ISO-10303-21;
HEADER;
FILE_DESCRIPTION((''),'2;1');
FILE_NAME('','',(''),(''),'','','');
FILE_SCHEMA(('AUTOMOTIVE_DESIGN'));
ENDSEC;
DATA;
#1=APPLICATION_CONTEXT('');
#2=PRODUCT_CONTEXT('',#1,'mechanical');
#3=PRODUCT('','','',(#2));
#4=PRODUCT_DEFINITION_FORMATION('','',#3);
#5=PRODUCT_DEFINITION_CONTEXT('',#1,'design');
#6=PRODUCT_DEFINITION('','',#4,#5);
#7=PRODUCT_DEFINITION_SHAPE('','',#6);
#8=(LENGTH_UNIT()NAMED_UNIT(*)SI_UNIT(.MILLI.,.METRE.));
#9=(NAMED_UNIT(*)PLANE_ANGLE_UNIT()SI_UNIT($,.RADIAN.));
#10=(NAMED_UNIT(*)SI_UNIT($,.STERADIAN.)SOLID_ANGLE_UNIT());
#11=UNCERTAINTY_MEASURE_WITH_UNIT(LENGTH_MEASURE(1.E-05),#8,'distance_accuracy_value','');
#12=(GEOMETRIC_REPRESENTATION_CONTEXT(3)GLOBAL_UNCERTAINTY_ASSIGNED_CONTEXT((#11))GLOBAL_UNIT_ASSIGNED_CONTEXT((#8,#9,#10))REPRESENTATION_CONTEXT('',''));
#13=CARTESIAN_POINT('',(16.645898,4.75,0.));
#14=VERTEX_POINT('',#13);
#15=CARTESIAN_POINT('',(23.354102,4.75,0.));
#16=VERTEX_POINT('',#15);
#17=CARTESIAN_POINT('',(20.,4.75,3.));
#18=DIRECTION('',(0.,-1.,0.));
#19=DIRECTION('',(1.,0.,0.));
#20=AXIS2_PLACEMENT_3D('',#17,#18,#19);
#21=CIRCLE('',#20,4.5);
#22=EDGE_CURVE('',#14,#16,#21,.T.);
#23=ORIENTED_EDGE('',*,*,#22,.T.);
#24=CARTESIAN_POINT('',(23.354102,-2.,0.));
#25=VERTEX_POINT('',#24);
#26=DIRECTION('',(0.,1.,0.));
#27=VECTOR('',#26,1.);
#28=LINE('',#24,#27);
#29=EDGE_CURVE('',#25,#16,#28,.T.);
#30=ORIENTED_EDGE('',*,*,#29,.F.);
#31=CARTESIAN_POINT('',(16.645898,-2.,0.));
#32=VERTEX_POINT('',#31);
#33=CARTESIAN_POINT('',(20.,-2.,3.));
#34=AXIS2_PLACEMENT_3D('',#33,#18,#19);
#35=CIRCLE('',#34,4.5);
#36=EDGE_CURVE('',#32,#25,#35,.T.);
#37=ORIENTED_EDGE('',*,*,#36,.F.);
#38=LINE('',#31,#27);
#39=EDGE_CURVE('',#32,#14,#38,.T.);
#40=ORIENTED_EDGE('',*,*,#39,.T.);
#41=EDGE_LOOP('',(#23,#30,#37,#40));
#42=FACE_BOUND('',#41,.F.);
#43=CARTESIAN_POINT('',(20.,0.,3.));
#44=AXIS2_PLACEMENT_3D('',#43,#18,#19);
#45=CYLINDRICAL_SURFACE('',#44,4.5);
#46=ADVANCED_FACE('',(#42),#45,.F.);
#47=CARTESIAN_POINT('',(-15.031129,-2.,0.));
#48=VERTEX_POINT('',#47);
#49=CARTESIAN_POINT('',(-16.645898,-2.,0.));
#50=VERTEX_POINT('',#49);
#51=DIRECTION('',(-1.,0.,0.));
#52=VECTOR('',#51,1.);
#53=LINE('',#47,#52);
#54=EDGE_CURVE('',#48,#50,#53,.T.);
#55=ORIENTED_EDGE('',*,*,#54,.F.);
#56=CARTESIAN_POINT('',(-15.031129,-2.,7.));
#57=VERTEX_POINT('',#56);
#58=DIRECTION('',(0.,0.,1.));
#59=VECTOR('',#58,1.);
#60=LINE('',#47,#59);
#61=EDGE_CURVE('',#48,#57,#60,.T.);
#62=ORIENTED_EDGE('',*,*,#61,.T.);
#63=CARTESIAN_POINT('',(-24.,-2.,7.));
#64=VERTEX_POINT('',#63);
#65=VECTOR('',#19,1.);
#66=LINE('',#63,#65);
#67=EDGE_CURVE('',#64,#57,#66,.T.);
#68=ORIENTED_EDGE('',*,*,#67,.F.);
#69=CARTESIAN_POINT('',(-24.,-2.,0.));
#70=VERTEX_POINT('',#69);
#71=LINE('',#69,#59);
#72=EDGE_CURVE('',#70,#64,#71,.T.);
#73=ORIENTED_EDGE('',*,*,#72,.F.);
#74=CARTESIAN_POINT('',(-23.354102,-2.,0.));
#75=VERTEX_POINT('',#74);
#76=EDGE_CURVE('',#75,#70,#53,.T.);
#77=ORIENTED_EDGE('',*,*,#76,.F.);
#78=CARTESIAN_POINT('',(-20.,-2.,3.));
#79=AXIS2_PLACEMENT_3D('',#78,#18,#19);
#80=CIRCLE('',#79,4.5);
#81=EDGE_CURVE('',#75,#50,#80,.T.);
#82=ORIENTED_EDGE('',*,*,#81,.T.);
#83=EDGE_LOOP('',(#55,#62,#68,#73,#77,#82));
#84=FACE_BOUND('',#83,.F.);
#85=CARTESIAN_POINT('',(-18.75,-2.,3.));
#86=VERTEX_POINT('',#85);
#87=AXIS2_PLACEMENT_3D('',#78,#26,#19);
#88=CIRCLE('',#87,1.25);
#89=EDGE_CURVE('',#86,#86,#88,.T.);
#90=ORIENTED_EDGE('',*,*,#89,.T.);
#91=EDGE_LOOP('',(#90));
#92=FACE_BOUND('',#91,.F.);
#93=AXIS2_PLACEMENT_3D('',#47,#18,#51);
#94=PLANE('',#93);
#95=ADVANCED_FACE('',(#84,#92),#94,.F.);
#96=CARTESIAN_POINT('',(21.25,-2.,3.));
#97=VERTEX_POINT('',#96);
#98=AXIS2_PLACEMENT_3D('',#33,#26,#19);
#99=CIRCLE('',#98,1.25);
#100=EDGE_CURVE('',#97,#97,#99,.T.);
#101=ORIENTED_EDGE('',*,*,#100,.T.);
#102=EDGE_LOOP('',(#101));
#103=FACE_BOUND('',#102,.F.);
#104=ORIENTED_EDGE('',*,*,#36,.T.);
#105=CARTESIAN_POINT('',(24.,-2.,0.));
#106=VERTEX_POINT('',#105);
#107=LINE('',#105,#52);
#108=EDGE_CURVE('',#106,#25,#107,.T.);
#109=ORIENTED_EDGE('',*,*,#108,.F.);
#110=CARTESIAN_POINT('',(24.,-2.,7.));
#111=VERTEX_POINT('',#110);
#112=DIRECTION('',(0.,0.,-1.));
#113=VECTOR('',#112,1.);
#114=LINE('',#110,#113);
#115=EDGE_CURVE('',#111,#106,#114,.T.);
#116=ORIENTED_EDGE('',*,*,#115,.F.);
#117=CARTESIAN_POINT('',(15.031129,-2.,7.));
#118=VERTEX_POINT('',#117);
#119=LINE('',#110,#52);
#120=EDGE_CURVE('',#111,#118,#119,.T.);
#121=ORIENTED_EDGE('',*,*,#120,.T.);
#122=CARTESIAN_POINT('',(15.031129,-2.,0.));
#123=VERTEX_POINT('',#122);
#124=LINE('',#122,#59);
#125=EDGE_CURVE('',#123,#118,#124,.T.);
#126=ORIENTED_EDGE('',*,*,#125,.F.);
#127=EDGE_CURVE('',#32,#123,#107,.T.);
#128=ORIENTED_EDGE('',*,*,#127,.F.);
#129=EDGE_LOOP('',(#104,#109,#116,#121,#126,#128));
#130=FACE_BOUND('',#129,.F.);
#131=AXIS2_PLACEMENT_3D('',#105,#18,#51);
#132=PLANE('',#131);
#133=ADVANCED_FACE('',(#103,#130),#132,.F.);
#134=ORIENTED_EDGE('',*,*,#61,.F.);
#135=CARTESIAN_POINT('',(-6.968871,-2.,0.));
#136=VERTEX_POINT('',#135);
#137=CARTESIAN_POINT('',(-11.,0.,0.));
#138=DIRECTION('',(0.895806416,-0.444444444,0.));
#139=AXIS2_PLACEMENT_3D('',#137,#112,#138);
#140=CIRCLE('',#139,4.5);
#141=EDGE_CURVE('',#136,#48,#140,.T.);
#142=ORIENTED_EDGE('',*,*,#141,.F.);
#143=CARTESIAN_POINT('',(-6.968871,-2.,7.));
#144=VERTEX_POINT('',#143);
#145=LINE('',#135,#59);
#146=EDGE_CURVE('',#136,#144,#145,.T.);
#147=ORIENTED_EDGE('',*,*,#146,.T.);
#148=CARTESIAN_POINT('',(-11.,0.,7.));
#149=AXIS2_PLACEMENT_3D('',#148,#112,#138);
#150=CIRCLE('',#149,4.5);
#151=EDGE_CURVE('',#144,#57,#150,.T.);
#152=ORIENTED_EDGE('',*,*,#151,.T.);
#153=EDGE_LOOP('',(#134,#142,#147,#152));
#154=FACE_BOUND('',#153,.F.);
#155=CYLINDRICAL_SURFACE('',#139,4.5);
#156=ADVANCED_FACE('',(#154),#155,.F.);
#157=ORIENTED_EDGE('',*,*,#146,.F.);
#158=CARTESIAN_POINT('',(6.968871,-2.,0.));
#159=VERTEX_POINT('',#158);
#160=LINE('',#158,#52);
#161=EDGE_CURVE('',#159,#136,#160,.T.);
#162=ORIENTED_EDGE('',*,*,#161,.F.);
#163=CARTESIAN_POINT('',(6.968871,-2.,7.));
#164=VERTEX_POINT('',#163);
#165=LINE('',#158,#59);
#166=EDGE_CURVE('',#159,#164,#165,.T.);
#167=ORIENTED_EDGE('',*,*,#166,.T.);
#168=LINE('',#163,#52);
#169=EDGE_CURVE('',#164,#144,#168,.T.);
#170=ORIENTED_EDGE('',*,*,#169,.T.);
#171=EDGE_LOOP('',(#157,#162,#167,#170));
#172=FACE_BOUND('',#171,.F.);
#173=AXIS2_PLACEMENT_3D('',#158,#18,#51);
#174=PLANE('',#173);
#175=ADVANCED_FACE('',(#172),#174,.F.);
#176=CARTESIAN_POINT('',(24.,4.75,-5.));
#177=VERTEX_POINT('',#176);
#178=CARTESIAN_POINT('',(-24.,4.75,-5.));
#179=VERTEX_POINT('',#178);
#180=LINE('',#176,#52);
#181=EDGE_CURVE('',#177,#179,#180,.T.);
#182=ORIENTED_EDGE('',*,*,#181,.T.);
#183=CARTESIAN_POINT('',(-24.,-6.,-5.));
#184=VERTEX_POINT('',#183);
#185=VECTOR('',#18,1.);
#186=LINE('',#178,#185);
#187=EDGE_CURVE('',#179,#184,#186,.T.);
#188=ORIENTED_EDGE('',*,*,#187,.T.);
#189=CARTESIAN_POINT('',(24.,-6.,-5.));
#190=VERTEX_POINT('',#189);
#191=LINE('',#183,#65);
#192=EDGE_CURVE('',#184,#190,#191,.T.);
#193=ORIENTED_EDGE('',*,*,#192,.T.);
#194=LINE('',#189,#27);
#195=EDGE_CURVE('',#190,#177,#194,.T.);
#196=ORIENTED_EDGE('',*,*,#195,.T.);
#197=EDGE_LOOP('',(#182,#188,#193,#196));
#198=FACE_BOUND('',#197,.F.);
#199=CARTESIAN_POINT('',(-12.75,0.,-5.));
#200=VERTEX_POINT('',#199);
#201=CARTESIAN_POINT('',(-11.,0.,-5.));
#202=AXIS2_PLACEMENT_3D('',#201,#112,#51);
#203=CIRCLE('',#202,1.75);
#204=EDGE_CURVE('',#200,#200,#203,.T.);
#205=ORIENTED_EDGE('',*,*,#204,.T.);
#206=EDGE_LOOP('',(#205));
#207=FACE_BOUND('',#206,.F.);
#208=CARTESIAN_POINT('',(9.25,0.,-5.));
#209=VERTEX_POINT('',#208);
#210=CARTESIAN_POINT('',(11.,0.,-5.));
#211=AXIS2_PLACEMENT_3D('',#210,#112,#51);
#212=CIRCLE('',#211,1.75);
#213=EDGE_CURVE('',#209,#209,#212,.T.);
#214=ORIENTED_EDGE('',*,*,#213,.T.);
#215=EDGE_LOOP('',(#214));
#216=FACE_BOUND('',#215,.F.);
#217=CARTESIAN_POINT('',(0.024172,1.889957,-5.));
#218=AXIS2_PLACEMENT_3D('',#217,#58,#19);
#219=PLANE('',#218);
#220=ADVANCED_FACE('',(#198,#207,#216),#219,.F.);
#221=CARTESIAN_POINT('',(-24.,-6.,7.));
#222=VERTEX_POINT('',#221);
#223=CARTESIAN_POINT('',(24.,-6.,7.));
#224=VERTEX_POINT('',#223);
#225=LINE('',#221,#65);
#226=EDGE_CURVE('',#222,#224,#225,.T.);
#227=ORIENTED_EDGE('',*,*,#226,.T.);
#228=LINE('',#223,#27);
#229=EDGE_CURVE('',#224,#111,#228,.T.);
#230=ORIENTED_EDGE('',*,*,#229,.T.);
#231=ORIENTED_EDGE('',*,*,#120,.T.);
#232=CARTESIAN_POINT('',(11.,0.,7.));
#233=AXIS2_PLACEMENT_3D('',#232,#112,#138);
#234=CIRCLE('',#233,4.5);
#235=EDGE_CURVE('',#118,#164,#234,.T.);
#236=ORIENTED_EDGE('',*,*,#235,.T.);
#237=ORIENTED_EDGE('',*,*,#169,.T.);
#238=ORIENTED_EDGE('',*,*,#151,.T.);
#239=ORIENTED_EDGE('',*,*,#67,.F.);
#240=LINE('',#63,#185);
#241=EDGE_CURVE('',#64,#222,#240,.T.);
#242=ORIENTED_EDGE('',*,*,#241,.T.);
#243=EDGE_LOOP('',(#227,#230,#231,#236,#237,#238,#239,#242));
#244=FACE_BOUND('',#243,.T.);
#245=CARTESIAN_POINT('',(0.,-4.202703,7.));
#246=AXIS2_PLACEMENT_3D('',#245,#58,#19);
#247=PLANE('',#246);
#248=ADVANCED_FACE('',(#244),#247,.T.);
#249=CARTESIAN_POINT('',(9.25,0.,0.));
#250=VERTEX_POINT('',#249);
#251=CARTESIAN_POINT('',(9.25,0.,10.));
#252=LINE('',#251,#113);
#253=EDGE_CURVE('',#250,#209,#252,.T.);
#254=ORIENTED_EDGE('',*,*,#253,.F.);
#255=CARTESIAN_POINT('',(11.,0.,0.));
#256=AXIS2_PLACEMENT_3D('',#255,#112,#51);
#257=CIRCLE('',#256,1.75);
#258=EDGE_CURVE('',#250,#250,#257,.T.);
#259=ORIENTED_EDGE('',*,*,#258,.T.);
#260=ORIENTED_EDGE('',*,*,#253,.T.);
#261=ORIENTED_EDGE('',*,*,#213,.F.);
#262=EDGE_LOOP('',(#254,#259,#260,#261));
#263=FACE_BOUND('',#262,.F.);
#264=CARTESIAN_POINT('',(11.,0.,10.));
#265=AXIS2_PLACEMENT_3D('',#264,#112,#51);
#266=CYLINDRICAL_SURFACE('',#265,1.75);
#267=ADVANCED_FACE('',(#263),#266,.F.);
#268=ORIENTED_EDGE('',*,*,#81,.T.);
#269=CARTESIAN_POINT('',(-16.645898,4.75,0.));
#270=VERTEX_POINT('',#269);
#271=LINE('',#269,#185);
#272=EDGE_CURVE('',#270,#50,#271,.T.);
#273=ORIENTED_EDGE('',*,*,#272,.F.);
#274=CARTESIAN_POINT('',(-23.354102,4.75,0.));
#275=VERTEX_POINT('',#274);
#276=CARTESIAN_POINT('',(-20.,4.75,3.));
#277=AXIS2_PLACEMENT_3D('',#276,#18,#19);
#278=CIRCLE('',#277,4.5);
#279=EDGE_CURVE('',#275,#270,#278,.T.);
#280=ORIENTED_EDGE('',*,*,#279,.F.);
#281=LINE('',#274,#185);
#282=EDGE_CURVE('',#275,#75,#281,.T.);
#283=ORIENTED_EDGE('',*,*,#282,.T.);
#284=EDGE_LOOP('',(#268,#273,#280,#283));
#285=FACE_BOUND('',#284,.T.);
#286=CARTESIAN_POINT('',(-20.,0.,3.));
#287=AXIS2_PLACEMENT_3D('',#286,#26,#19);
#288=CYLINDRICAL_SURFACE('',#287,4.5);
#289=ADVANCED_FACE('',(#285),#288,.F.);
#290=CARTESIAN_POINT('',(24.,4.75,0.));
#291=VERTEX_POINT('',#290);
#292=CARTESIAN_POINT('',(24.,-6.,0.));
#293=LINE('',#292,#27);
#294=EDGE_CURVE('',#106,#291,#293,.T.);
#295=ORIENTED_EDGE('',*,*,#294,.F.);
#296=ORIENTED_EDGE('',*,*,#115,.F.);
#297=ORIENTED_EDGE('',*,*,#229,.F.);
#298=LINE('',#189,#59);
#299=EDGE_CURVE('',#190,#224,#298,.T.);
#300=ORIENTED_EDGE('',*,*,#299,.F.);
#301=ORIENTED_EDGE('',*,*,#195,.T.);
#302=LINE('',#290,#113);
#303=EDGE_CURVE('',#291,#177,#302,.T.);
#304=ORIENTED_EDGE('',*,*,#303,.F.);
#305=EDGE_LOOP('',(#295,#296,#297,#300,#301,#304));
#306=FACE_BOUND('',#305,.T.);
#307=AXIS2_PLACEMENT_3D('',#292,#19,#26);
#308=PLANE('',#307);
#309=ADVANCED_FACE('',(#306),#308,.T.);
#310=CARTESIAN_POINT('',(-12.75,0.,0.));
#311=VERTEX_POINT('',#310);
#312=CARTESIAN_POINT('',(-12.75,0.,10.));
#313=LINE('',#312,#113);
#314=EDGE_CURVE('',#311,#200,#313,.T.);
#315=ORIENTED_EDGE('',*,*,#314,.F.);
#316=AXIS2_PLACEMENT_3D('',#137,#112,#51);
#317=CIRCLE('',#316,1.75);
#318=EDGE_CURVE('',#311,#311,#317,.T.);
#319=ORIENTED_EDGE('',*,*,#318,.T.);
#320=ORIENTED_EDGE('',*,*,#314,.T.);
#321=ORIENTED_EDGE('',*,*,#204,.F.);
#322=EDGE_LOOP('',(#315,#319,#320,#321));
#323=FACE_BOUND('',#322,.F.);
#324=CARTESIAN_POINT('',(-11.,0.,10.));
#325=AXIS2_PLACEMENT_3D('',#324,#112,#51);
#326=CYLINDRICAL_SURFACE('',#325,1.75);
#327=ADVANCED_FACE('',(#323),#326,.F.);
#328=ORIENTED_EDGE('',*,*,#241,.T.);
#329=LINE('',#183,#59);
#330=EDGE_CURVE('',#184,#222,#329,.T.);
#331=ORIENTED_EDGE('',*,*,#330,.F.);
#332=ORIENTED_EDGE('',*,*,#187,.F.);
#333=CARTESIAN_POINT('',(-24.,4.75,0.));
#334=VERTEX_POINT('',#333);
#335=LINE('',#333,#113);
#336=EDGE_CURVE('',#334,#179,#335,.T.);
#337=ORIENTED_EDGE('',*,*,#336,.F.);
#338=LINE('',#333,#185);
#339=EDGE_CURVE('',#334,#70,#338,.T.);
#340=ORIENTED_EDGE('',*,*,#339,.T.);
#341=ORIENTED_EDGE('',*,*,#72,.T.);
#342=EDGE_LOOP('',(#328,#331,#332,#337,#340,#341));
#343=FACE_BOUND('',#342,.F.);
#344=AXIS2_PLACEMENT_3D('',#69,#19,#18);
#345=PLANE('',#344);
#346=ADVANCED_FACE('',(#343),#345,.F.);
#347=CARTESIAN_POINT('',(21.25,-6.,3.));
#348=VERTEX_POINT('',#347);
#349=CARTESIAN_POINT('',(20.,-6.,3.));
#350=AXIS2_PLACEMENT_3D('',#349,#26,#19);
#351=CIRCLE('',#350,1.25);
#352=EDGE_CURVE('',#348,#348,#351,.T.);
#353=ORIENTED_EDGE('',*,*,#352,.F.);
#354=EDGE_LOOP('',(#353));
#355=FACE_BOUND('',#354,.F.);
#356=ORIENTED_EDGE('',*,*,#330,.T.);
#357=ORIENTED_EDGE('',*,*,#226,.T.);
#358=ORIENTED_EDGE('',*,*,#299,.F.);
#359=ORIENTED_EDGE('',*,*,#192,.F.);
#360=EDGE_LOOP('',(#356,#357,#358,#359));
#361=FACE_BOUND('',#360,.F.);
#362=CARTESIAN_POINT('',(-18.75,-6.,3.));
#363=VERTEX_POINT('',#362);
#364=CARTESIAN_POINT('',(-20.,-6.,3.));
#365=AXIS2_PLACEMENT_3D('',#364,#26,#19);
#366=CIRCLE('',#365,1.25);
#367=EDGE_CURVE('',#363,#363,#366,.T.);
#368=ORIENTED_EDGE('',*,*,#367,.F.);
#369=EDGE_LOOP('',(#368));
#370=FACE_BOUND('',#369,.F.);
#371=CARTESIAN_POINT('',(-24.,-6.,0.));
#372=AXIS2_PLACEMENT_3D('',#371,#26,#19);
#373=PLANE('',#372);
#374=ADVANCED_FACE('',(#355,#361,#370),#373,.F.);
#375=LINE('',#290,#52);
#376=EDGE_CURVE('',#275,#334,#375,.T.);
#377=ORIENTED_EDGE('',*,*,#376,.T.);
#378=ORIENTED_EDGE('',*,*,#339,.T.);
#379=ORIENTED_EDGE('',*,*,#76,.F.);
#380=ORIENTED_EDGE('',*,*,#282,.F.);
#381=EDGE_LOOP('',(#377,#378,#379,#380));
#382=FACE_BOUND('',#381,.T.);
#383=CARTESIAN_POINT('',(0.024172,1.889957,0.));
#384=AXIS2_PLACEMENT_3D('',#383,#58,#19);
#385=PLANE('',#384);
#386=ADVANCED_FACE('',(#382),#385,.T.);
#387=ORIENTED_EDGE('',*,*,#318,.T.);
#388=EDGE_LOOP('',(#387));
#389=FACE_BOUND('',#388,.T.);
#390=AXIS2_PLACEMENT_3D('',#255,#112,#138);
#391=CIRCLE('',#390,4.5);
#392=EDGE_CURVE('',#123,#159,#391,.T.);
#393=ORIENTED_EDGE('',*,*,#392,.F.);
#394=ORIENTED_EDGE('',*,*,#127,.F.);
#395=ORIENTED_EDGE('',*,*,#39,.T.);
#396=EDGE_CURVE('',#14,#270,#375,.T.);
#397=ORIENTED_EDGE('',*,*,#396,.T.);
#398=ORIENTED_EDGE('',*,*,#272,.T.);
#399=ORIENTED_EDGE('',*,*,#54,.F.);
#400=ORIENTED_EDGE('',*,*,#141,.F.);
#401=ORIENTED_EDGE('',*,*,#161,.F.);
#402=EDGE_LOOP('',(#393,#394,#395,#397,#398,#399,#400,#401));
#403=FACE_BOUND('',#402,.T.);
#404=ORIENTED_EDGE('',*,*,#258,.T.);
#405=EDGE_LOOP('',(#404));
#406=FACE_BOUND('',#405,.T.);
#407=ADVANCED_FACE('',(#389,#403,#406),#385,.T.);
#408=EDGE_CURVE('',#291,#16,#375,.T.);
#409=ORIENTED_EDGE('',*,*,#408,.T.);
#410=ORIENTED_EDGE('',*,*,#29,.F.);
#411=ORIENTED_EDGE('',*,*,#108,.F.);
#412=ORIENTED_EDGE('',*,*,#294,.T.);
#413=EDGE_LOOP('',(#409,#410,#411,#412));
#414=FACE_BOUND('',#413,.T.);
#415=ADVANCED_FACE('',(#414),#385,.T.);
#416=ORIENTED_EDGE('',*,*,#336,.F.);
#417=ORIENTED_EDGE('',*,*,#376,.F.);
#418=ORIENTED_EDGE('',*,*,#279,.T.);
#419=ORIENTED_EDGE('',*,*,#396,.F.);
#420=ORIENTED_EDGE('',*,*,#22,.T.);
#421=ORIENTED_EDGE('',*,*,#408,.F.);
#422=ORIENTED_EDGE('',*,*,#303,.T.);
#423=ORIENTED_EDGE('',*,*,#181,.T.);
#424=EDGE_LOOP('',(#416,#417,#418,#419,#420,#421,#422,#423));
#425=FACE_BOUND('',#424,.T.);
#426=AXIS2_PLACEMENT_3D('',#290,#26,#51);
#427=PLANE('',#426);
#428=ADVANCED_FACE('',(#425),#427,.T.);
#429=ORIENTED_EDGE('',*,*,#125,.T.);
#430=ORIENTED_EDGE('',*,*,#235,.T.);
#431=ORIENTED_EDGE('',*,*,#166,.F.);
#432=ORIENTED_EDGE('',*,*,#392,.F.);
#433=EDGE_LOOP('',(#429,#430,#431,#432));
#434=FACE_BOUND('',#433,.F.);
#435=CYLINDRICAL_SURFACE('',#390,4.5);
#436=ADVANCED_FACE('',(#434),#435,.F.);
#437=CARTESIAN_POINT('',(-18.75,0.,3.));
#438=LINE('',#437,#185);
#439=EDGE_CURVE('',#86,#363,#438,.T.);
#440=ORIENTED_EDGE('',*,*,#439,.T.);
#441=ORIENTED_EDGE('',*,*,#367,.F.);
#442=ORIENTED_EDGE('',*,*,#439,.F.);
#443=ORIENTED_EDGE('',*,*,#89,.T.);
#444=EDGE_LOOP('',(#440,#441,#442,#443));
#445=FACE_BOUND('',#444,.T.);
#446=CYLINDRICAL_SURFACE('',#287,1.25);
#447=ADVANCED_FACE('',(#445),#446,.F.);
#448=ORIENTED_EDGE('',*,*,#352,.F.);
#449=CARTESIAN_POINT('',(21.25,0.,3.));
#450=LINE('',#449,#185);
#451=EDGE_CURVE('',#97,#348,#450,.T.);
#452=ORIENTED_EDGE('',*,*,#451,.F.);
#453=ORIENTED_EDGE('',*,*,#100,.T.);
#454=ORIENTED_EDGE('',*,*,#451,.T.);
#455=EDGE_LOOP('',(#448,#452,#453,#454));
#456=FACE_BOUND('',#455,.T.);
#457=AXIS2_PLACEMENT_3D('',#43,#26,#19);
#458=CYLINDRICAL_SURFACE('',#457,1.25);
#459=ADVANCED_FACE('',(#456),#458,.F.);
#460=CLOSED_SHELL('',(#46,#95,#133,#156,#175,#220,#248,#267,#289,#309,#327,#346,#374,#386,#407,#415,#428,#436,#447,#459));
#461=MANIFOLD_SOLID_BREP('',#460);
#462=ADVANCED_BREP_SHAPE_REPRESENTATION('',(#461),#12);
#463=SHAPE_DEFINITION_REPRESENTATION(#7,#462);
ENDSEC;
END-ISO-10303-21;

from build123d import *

# Parameters (mm, degrees)
F2_DEPTH      = 5
F3_DEPTH      = 7
F4_D          = 3.5
F4_DEPTH      = 10
F4_TIP        = 1.0515060833
F5_R          = 4.5
F5_R_2        = 1.25
F6_DEPTH      = 6.4
F6_DEPTH_BACK = 2
F7_DEPTH      = 25


with BuildPart() as f2:
    # F1 (on Top) → F2 (new body)
    with BuildSketch(Plane.XY):
        with BuildLine():
            Line((24, 4.75), (-24, 4.75))
            Line((-24, 4.75), (-24, -2))
            Line((-24, -2), (-15.0311288741, -2))
            ThreePointArc((-15.0311288741, -2), (-12.0271124735, 4.3812144397), (-6.5, 0))
            ThreePointArc((-6.5, 0), (-6.6187855603, -1.0271124735), (-6.9688711259, -2))
            Line((-6.9688711259, -2), (6.9688711259, -2))
            ThreePointArc((6.9688711259, -2), (9.9728875265, 4.3812144397), (15.5, 0))
            ThreePointArc((15.5, 0), (15.3812144397, -1.0271124735), (15.0311288741, -2))
            Line((15.0311288741, -2), (24, -2))
            Line((24, -2), (24, 4.75))
        make_face()
        with BuildLine():
            ThreePointArc((-6.5, 0), (-12.0271124735, 4.3812144397), (-15.0311288741, -2))
            Line((-15.0311288741, -2), (-6.9688711259, -2))
            ThreePointArc((-6.9688711259, -2), (-6.6187855603, -1.0271124735), (-6.5, 0))
        make_face()
        with BuildLine():
            Line((-15.0311288741, -2), (-24, -2))
            Line((-24, -2), (-24, -6))
            Line((-24, -6), (24, -6))
            Line((24, -6), (24, -2))
            Line((24, -2), (15.0311288741, -2))
            ThreePointArc((15.0311288741, -2), (11, -4.5), (6.9688711259, -2))
            Line((6.9688711259, -2), (-6.9688711259, -2))
            ThreePointArc((-6.9688711259, -2), (-11, -4.5), (-15.0311288741, -2))
        make_face()
        with BuildLine():
            Line((-6.9688711259, -2), (-15.0311288741, -2))
            ThreePointArc((-15.0311288741, -2), (-11, -4.5), (-6.9688711259, -2))
        make_face()
        with BuildLine():
            ThreePointArc((6.9688711259, -2), (11, -4.5), (15.0311288741, -2))
            Line((15.0311288741, -2), (6.9688711259, -2))
        make_face()
        with BuildLine():
            Line((6.9688711259, -2), (15.0311288741, -2))
            ThreePointArc((15.0311288741, -2), (15.3812144397, -1.0271124735), (15.5, 0))
            ThreePointArc((15.5, 0), (9.9728875265, 4.3812144397), (6.9688711259, -2))
        make_face()
    extrude(amount=-F2_DEPTH)

    # F1 (on Top) → F3 (join)
    with BuildSketch(Plane.XY):
        with BuildLine():
            Line((-15.0311288741, -2), (-24, -2))
            Line((-24, -2), (-24, -6))
            Line((-24, -6), (24, -6))
            Line((24, -6), (24, -2))
            Line((24, -2), (15.0311288741, -2))
            ThreePointArc((15.0311288741, -2), (11, -4.5), (6.9688711259, -2))
            Line((6.9688711259, -2), (-6.9688711259, -2))
            ThreePointArc((-6.9688711259, -2), (-11, -4.5), (-15.0311288741, -2))
        make_face()
    extrude(amount=F3_DEPTH)

    # F4
    with Locations(Plane.XY):
        with Locations((-11, 0), (11, 0)):
            Hole(F4_D / 2, depth=F4_DEPTH)
            with Locations((0, 0, -(F4_DEPTH + F4_TIP / 2))):  # 118° drill point
                Cone(0, F4_D / 2, F4_TIP, mode=Mode.SUBTRACT)

    # F5 (on Front) → F6 (cut, two sides)
    with BuildSketch(Plane.XZ) as f6_sk:
        with Locations((20, 3)):
            Circle(F5_R)
        with Locations((20, 3)):
            Circle(F5_R_2, mode=Mode.SUBTRACT)
        with Locations((-20, 3)):
            Circle(F5_R)
        with Locations((-20, 3)):
            Circle(F5_R_2, mode=Mode.SUBTRACT)
    extrude(amount=-F6_DEPTH, mode=Mode.SUBTRACT)
    extrude(f6_sk.sketch, amount=F6_DEPTH_BACK, mode=Mode.SUBTRACT)

    # F5 (on Front) → F7 (cut)
    with BuildSketch(Plane.XZ):
        with Locations((-20, 3)):
            Circle(F5_R_2)
        with Locations((20, 3)):
            Circle(F5_R_2)
    extrude(amount=F7_DEPTH, mode=Mode.SUBTRACT)


solid = f2.part
